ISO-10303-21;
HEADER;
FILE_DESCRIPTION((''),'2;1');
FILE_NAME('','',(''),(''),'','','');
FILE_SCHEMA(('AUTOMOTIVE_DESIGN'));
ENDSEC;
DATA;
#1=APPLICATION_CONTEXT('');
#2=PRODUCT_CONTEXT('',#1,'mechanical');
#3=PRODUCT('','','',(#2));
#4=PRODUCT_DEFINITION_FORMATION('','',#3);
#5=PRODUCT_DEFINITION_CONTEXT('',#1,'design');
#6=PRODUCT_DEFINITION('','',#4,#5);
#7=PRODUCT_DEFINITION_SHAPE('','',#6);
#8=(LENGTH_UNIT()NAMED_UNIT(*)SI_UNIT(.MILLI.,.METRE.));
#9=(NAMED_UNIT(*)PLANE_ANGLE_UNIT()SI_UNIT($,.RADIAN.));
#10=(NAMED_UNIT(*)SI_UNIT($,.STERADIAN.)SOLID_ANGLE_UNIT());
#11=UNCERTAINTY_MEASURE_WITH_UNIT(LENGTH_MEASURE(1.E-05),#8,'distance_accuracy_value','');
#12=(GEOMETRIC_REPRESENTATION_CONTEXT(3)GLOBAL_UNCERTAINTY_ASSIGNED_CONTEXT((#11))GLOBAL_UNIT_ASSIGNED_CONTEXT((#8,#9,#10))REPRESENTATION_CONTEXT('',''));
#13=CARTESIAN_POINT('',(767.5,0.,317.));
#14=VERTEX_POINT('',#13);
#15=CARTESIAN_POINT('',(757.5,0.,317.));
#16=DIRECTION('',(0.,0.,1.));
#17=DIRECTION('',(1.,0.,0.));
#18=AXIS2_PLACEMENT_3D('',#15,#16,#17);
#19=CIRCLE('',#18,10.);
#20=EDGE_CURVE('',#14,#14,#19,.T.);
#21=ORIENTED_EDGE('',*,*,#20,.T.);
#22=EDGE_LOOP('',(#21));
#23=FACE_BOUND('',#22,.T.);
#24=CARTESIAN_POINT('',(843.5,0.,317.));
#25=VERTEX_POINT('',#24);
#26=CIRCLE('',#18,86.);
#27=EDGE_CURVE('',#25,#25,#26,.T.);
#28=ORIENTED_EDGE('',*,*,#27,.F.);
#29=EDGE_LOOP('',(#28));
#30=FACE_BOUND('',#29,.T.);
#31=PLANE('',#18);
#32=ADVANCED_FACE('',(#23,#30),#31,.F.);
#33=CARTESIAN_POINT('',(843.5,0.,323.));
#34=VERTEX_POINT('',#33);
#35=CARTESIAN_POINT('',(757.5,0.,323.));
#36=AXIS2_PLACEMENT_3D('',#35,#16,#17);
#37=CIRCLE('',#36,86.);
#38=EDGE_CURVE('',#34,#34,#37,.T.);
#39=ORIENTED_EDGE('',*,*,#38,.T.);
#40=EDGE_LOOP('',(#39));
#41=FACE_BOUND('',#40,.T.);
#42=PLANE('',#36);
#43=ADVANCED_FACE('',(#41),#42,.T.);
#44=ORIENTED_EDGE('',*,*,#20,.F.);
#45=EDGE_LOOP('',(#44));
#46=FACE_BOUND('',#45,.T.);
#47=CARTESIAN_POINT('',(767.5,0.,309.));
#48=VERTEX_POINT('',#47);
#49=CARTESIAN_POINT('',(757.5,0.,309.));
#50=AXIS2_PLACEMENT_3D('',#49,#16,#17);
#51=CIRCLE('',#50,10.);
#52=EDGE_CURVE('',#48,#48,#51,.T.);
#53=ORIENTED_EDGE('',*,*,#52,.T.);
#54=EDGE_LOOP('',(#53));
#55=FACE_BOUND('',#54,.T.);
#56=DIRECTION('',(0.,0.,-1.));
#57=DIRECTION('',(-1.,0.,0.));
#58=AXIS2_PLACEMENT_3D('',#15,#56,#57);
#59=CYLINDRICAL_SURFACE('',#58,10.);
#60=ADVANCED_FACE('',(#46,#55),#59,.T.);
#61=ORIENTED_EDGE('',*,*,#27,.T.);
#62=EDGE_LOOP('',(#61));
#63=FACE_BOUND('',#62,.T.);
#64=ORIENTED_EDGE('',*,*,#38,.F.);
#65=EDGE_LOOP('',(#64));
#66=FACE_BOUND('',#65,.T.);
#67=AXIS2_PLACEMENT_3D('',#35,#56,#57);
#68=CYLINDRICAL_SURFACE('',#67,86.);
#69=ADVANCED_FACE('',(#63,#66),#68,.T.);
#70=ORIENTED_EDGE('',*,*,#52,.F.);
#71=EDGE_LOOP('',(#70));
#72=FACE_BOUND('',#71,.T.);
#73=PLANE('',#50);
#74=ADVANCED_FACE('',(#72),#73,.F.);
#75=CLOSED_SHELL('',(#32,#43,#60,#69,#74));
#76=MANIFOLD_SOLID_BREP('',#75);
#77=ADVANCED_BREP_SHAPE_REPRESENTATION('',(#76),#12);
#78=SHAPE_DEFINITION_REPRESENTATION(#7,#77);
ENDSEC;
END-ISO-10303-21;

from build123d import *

# Parameters (mm, degrees)
EXTRUDE_START      = 317
EXTRUDE_SKETCH_1_R = 86
EXTRUDE_1_DEPTH    = 6
EXTRUDE_START_2    = 309
EXTRUDE_SKETCH_2_R = 10
EXTRUDE_2_DEPTH    = 8


with BuildPart() as part:
    # Extrude sketch 1 → Extrude 1 (new body)
    with BuildSketch(Plane.XY.offset(EXTRUDE_START)):
        with Locations((757.5, 0)):
            Circle(EXTRUDE_SKETCH_1_R)
    extrude(amount=EXTRUDE_1_DEPTH)


with BuildPart() as body_2:
    # Extrude sketch 2 → Extrude 2 (new body)
    with BuildSketch(Plane.XY.offset(EXTRUDE_START_2)):
        with Locations((757.5, 0)):
            Circle(EXTRUDE_SKETCH_2_R)
    extrude(amount=EXTRUDE_2_DEPTH)


with BuildPart() as part_1:
    add(part.part)

    # Combine (weld / assembly of features): union body 2
    add(body_2.part)


solid = part_1.part
